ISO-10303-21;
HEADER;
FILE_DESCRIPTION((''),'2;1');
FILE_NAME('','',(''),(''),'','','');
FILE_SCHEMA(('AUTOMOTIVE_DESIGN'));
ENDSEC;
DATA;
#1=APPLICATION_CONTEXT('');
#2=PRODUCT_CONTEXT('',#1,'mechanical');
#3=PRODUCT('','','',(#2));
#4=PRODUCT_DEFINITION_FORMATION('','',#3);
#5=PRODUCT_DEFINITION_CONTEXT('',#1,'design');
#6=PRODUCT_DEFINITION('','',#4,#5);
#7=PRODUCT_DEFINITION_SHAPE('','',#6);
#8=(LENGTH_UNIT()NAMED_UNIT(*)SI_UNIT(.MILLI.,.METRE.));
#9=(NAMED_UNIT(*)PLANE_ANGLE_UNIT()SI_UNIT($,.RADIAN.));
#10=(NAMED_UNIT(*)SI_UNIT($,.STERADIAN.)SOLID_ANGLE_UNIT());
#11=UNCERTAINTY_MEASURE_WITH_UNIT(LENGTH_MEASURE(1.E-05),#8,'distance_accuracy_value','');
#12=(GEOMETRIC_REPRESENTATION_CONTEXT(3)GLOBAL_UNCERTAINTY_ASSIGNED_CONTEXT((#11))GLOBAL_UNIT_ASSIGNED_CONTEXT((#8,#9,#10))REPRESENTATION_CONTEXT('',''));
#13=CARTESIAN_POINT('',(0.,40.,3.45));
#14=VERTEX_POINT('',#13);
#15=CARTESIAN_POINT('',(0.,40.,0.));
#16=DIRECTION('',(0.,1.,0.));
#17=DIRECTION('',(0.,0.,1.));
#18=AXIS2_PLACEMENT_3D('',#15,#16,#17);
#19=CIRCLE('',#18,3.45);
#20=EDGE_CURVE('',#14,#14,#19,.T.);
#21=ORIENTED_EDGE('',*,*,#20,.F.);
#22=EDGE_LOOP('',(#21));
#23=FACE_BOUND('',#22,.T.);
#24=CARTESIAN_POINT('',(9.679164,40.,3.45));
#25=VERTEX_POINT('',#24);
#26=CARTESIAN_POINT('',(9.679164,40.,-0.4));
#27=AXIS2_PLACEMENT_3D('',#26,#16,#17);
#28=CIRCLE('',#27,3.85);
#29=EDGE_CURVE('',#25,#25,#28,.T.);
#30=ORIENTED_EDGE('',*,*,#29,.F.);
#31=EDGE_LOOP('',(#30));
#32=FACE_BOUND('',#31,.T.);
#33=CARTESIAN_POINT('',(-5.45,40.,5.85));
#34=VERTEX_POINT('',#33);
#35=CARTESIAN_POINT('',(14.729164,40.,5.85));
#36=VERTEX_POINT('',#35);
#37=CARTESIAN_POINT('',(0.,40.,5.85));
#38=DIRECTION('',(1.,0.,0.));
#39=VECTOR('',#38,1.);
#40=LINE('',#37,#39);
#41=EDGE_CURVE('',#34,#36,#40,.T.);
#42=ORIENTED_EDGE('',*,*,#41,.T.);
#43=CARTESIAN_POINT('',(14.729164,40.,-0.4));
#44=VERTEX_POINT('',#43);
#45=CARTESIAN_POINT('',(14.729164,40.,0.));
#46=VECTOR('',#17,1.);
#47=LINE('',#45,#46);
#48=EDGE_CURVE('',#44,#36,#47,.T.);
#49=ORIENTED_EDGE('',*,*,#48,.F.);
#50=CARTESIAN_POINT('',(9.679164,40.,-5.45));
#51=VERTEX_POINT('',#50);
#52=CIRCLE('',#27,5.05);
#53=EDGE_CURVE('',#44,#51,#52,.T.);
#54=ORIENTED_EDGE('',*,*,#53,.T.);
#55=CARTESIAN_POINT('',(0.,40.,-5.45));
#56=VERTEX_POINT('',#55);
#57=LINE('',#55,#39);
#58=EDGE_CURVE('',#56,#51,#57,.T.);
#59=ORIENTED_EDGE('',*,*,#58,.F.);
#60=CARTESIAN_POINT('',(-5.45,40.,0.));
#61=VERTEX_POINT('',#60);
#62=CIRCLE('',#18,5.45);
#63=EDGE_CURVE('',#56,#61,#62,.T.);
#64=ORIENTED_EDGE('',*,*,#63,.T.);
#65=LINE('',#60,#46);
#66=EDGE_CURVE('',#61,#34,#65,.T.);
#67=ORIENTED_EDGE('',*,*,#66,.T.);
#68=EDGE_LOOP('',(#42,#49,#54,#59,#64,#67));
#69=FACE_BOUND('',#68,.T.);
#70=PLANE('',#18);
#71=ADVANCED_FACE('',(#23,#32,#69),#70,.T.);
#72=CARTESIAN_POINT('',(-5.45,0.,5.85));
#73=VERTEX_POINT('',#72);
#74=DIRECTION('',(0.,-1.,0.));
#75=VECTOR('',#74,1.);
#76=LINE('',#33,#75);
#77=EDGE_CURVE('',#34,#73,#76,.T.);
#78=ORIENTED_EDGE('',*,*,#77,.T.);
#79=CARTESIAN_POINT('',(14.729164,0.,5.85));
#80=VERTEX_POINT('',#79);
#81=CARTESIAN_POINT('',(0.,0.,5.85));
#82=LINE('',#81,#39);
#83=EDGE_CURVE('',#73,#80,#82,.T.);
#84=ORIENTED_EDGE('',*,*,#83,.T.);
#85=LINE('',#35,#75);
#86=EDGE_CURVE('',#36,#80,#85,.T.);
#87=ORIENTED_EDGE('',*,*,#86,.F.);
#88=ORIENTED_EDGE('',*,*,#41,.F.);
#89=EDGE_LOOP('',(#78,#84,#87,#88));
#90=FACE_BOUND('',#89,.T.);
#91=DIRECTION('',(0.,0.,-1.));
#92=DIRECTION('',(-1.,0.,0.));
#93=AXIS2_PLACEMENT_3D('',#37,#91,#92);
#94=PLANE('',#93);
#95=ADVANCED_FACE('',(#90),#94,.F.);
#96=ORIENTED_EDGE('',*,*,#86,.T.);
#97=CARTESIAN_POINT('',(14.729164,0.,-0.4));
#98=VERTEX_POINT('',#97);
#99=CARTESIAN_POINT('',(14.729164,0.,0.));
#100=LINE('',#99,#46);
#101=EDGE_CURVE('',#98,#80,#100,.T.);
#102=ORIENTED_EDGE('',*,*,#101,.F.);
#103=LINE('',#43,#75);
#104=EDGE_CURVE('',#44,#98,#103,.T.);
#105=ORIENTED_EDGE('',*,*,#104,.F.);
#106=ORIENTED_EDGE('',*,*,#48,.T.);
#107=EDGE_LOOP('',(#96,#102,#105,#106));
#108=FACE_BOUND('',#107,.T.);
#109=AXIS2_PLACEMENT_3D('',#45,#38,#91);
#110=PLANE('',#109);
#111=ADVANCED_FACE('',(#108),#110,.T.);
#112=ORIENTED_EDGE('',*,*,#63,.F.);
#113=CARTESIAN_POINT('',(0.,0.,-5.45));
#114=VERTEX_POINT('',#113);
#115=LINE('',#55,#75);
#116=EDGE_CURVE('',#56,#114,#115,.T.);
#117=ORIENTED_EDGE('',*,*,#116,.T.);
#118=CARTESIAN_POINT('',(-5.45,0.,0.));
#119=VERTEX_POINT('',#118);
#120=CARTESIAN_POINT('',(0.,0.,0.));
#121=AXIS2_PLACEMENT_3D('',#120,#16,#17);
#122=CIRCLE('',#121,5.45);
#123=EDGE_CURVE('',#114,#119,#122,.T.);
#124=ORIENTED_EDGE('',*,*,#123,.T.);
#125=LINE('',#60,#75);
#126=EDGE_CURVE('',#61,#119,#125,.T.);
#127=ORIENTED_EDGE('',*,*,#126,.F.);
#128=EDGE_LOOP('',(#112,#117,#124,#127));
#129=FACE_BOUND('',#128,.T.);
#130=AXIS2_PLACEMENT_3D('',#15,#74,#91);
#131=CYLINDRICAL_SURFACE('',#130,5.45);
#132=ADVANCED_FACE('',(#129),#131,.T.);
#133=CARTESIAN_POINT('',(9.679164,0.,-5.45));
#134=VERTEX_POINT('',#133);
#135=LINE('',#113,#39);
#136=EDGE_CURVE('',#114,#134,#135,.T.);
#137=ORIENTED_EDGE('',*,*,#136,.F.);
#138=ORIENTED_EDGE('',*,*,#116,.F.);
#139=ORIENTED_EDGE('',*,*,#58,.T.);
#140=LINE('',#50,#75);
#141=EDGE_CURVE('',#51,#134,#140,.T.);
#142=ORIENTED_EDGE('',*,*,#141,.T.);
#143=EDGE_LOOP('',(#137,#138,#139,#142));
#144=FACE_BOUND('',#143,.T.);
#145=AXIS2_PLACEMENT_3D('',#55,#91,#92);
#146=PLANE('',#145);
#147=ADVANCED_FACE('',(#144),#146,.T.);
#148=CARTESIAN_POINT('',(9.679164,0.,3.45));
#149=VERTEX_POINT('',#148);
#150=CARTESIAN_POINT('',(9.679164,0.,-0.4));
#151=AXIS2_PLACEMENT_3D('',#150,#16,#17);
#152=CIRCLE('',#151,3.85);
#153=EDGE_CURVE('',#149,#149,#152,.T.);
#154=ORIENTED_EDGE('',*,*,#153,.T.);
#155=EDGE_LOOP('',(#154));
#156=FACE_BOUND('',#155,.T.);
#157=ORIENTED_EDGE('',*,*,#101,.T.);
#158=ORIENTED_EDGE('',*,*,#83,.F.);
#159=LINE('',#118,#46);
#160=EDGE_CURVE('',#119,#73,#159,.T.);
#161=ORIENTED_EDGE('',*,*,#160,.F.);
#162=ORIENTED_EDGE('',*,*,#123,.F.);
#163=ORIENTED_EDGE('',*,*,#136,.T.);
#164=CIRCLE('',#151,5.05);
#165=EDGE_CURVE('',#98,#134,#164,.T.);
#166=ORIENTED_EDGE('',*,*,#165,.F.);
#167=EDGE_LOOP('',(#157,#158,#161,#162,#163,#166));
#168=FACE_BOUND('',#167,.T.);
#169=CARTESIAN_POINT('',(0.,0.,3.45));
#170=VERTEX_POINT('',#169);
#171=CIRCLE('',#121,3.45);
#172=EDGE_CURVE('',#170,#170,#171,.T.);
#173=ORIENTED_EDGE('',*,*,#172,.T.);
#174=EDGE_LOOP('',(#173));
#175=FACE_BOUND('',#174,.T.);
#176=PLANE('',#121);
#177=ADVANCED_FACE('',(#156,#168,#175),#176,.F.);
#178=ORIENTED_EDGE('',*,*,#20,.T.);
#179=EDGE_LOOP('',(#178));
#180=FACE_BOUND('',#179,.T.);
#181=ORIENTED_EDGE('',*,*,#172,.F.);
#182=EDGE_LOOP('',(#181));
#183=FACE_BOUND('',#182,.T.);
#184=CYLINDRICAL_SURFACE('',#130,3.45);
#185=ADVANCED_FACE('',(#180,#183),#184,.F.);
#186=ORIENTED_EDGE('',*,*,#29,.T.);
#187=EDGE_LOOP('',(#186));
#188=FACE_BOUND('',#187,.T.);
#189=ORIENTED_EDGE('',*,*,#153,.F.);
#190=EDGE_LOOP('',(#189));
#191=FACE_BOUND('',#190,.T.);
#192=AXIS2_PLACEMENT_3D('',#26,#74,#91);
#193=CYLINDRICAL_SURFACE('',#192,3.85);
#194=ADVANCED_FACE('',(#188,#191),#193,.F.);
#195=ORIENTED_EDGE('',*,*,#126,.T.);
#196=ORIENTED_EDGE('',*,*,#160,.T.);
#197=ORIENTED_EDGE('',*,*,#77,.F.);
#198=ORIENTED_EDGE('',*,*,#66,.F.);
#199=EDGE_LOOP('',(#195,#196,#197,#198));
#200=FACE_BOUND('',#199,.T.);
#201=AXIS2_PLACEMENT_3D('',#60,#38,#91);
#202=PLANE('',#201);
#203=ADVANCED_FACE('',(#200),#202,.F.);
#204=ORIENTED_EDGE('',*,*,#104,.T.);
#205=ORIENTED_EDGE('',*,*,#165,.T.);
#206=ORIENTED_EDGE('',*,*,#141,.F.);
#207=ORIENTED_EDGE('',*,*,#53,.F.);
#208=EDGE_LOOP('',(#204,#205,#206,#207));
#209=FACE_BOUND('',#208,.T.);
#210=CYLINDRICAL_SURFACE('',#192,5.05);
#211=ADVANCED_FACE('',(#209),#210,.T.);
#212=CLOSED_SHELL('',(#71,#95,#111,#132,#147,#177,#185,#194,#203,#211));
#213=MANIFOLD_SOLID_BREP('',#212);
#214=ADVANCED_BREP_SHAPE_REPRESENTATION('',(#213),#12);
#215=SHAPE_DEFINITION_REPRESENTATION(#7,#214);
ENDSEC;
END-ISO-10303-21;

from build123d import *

# Parameters (mm, degrees)
SKETCH1_R           = 3.85
BOSS_EXTRUDE2_DEPTH = 40


with BuildPart() as part:
    # Sketch1 → Boss-Extrude2 (new body)
    # profile 1 of 2: a face of its own
    with BuildSketch(Plane(origin=(0, 0, 0), x_dir=(1, 0, 0), z_dir=(0, 1, 0))):
        with BuildLine():
            ThreePointArc((0, 5.45), (-3.853731957, 3.853731957), (-5.45, 0))
            Line((-5.45, 0), (-3.45, 0))
            ThreePointArc((-3.45, 0), (0, 3.45), (3.45, 0))
            ThreePointArc((3.45, 0), (2.439518395, -2.439518395), (0, -3.45))
            Line((0, -3.45), (0, -5.85))
            Line((0, -5.85), (5.45, -5.85))
            Line((5.45, -5.85), (14.7291644, -5.85))
            Line((14.7291644, -5.85), (14.7291644, 0.4))
            ThreePointArc((14.7291644, 0.4), (13.250053645, 3.970889245), (9.6791644, 5.45))
            Line((9.6791644, 5.45), (0, 5.45))
        make_face()
        with Locations(Location((9.6791644, 0.4, 0), (0, 0, 270))):
            Circle(SKETCH1_R, mode=Mode.SUBTRACT)
    # profile 2 of 2: a face of its own
    with BuildSketch(Plane(origin=(0, 0, 0), x_dir=(1, 0, 0), z_dir=(0, 1, 0))):
        with BuildLine():
            Line((-3.45, 0), (-5.45, 0))
            Line((-5.45, 0), (-5.45, -5.85))
            Line((-5.45, -5.85), (0, -5.85))
            Line((0, -5.85), (0, -3.45))
            ThreePointArc((0, -3.45), (-2.439518395, -2.439518395), (-3.45, 0))
        make_face()
    extrude(amount=BOSS_EXTRUDE2_DEPTH)


solid = part.part
